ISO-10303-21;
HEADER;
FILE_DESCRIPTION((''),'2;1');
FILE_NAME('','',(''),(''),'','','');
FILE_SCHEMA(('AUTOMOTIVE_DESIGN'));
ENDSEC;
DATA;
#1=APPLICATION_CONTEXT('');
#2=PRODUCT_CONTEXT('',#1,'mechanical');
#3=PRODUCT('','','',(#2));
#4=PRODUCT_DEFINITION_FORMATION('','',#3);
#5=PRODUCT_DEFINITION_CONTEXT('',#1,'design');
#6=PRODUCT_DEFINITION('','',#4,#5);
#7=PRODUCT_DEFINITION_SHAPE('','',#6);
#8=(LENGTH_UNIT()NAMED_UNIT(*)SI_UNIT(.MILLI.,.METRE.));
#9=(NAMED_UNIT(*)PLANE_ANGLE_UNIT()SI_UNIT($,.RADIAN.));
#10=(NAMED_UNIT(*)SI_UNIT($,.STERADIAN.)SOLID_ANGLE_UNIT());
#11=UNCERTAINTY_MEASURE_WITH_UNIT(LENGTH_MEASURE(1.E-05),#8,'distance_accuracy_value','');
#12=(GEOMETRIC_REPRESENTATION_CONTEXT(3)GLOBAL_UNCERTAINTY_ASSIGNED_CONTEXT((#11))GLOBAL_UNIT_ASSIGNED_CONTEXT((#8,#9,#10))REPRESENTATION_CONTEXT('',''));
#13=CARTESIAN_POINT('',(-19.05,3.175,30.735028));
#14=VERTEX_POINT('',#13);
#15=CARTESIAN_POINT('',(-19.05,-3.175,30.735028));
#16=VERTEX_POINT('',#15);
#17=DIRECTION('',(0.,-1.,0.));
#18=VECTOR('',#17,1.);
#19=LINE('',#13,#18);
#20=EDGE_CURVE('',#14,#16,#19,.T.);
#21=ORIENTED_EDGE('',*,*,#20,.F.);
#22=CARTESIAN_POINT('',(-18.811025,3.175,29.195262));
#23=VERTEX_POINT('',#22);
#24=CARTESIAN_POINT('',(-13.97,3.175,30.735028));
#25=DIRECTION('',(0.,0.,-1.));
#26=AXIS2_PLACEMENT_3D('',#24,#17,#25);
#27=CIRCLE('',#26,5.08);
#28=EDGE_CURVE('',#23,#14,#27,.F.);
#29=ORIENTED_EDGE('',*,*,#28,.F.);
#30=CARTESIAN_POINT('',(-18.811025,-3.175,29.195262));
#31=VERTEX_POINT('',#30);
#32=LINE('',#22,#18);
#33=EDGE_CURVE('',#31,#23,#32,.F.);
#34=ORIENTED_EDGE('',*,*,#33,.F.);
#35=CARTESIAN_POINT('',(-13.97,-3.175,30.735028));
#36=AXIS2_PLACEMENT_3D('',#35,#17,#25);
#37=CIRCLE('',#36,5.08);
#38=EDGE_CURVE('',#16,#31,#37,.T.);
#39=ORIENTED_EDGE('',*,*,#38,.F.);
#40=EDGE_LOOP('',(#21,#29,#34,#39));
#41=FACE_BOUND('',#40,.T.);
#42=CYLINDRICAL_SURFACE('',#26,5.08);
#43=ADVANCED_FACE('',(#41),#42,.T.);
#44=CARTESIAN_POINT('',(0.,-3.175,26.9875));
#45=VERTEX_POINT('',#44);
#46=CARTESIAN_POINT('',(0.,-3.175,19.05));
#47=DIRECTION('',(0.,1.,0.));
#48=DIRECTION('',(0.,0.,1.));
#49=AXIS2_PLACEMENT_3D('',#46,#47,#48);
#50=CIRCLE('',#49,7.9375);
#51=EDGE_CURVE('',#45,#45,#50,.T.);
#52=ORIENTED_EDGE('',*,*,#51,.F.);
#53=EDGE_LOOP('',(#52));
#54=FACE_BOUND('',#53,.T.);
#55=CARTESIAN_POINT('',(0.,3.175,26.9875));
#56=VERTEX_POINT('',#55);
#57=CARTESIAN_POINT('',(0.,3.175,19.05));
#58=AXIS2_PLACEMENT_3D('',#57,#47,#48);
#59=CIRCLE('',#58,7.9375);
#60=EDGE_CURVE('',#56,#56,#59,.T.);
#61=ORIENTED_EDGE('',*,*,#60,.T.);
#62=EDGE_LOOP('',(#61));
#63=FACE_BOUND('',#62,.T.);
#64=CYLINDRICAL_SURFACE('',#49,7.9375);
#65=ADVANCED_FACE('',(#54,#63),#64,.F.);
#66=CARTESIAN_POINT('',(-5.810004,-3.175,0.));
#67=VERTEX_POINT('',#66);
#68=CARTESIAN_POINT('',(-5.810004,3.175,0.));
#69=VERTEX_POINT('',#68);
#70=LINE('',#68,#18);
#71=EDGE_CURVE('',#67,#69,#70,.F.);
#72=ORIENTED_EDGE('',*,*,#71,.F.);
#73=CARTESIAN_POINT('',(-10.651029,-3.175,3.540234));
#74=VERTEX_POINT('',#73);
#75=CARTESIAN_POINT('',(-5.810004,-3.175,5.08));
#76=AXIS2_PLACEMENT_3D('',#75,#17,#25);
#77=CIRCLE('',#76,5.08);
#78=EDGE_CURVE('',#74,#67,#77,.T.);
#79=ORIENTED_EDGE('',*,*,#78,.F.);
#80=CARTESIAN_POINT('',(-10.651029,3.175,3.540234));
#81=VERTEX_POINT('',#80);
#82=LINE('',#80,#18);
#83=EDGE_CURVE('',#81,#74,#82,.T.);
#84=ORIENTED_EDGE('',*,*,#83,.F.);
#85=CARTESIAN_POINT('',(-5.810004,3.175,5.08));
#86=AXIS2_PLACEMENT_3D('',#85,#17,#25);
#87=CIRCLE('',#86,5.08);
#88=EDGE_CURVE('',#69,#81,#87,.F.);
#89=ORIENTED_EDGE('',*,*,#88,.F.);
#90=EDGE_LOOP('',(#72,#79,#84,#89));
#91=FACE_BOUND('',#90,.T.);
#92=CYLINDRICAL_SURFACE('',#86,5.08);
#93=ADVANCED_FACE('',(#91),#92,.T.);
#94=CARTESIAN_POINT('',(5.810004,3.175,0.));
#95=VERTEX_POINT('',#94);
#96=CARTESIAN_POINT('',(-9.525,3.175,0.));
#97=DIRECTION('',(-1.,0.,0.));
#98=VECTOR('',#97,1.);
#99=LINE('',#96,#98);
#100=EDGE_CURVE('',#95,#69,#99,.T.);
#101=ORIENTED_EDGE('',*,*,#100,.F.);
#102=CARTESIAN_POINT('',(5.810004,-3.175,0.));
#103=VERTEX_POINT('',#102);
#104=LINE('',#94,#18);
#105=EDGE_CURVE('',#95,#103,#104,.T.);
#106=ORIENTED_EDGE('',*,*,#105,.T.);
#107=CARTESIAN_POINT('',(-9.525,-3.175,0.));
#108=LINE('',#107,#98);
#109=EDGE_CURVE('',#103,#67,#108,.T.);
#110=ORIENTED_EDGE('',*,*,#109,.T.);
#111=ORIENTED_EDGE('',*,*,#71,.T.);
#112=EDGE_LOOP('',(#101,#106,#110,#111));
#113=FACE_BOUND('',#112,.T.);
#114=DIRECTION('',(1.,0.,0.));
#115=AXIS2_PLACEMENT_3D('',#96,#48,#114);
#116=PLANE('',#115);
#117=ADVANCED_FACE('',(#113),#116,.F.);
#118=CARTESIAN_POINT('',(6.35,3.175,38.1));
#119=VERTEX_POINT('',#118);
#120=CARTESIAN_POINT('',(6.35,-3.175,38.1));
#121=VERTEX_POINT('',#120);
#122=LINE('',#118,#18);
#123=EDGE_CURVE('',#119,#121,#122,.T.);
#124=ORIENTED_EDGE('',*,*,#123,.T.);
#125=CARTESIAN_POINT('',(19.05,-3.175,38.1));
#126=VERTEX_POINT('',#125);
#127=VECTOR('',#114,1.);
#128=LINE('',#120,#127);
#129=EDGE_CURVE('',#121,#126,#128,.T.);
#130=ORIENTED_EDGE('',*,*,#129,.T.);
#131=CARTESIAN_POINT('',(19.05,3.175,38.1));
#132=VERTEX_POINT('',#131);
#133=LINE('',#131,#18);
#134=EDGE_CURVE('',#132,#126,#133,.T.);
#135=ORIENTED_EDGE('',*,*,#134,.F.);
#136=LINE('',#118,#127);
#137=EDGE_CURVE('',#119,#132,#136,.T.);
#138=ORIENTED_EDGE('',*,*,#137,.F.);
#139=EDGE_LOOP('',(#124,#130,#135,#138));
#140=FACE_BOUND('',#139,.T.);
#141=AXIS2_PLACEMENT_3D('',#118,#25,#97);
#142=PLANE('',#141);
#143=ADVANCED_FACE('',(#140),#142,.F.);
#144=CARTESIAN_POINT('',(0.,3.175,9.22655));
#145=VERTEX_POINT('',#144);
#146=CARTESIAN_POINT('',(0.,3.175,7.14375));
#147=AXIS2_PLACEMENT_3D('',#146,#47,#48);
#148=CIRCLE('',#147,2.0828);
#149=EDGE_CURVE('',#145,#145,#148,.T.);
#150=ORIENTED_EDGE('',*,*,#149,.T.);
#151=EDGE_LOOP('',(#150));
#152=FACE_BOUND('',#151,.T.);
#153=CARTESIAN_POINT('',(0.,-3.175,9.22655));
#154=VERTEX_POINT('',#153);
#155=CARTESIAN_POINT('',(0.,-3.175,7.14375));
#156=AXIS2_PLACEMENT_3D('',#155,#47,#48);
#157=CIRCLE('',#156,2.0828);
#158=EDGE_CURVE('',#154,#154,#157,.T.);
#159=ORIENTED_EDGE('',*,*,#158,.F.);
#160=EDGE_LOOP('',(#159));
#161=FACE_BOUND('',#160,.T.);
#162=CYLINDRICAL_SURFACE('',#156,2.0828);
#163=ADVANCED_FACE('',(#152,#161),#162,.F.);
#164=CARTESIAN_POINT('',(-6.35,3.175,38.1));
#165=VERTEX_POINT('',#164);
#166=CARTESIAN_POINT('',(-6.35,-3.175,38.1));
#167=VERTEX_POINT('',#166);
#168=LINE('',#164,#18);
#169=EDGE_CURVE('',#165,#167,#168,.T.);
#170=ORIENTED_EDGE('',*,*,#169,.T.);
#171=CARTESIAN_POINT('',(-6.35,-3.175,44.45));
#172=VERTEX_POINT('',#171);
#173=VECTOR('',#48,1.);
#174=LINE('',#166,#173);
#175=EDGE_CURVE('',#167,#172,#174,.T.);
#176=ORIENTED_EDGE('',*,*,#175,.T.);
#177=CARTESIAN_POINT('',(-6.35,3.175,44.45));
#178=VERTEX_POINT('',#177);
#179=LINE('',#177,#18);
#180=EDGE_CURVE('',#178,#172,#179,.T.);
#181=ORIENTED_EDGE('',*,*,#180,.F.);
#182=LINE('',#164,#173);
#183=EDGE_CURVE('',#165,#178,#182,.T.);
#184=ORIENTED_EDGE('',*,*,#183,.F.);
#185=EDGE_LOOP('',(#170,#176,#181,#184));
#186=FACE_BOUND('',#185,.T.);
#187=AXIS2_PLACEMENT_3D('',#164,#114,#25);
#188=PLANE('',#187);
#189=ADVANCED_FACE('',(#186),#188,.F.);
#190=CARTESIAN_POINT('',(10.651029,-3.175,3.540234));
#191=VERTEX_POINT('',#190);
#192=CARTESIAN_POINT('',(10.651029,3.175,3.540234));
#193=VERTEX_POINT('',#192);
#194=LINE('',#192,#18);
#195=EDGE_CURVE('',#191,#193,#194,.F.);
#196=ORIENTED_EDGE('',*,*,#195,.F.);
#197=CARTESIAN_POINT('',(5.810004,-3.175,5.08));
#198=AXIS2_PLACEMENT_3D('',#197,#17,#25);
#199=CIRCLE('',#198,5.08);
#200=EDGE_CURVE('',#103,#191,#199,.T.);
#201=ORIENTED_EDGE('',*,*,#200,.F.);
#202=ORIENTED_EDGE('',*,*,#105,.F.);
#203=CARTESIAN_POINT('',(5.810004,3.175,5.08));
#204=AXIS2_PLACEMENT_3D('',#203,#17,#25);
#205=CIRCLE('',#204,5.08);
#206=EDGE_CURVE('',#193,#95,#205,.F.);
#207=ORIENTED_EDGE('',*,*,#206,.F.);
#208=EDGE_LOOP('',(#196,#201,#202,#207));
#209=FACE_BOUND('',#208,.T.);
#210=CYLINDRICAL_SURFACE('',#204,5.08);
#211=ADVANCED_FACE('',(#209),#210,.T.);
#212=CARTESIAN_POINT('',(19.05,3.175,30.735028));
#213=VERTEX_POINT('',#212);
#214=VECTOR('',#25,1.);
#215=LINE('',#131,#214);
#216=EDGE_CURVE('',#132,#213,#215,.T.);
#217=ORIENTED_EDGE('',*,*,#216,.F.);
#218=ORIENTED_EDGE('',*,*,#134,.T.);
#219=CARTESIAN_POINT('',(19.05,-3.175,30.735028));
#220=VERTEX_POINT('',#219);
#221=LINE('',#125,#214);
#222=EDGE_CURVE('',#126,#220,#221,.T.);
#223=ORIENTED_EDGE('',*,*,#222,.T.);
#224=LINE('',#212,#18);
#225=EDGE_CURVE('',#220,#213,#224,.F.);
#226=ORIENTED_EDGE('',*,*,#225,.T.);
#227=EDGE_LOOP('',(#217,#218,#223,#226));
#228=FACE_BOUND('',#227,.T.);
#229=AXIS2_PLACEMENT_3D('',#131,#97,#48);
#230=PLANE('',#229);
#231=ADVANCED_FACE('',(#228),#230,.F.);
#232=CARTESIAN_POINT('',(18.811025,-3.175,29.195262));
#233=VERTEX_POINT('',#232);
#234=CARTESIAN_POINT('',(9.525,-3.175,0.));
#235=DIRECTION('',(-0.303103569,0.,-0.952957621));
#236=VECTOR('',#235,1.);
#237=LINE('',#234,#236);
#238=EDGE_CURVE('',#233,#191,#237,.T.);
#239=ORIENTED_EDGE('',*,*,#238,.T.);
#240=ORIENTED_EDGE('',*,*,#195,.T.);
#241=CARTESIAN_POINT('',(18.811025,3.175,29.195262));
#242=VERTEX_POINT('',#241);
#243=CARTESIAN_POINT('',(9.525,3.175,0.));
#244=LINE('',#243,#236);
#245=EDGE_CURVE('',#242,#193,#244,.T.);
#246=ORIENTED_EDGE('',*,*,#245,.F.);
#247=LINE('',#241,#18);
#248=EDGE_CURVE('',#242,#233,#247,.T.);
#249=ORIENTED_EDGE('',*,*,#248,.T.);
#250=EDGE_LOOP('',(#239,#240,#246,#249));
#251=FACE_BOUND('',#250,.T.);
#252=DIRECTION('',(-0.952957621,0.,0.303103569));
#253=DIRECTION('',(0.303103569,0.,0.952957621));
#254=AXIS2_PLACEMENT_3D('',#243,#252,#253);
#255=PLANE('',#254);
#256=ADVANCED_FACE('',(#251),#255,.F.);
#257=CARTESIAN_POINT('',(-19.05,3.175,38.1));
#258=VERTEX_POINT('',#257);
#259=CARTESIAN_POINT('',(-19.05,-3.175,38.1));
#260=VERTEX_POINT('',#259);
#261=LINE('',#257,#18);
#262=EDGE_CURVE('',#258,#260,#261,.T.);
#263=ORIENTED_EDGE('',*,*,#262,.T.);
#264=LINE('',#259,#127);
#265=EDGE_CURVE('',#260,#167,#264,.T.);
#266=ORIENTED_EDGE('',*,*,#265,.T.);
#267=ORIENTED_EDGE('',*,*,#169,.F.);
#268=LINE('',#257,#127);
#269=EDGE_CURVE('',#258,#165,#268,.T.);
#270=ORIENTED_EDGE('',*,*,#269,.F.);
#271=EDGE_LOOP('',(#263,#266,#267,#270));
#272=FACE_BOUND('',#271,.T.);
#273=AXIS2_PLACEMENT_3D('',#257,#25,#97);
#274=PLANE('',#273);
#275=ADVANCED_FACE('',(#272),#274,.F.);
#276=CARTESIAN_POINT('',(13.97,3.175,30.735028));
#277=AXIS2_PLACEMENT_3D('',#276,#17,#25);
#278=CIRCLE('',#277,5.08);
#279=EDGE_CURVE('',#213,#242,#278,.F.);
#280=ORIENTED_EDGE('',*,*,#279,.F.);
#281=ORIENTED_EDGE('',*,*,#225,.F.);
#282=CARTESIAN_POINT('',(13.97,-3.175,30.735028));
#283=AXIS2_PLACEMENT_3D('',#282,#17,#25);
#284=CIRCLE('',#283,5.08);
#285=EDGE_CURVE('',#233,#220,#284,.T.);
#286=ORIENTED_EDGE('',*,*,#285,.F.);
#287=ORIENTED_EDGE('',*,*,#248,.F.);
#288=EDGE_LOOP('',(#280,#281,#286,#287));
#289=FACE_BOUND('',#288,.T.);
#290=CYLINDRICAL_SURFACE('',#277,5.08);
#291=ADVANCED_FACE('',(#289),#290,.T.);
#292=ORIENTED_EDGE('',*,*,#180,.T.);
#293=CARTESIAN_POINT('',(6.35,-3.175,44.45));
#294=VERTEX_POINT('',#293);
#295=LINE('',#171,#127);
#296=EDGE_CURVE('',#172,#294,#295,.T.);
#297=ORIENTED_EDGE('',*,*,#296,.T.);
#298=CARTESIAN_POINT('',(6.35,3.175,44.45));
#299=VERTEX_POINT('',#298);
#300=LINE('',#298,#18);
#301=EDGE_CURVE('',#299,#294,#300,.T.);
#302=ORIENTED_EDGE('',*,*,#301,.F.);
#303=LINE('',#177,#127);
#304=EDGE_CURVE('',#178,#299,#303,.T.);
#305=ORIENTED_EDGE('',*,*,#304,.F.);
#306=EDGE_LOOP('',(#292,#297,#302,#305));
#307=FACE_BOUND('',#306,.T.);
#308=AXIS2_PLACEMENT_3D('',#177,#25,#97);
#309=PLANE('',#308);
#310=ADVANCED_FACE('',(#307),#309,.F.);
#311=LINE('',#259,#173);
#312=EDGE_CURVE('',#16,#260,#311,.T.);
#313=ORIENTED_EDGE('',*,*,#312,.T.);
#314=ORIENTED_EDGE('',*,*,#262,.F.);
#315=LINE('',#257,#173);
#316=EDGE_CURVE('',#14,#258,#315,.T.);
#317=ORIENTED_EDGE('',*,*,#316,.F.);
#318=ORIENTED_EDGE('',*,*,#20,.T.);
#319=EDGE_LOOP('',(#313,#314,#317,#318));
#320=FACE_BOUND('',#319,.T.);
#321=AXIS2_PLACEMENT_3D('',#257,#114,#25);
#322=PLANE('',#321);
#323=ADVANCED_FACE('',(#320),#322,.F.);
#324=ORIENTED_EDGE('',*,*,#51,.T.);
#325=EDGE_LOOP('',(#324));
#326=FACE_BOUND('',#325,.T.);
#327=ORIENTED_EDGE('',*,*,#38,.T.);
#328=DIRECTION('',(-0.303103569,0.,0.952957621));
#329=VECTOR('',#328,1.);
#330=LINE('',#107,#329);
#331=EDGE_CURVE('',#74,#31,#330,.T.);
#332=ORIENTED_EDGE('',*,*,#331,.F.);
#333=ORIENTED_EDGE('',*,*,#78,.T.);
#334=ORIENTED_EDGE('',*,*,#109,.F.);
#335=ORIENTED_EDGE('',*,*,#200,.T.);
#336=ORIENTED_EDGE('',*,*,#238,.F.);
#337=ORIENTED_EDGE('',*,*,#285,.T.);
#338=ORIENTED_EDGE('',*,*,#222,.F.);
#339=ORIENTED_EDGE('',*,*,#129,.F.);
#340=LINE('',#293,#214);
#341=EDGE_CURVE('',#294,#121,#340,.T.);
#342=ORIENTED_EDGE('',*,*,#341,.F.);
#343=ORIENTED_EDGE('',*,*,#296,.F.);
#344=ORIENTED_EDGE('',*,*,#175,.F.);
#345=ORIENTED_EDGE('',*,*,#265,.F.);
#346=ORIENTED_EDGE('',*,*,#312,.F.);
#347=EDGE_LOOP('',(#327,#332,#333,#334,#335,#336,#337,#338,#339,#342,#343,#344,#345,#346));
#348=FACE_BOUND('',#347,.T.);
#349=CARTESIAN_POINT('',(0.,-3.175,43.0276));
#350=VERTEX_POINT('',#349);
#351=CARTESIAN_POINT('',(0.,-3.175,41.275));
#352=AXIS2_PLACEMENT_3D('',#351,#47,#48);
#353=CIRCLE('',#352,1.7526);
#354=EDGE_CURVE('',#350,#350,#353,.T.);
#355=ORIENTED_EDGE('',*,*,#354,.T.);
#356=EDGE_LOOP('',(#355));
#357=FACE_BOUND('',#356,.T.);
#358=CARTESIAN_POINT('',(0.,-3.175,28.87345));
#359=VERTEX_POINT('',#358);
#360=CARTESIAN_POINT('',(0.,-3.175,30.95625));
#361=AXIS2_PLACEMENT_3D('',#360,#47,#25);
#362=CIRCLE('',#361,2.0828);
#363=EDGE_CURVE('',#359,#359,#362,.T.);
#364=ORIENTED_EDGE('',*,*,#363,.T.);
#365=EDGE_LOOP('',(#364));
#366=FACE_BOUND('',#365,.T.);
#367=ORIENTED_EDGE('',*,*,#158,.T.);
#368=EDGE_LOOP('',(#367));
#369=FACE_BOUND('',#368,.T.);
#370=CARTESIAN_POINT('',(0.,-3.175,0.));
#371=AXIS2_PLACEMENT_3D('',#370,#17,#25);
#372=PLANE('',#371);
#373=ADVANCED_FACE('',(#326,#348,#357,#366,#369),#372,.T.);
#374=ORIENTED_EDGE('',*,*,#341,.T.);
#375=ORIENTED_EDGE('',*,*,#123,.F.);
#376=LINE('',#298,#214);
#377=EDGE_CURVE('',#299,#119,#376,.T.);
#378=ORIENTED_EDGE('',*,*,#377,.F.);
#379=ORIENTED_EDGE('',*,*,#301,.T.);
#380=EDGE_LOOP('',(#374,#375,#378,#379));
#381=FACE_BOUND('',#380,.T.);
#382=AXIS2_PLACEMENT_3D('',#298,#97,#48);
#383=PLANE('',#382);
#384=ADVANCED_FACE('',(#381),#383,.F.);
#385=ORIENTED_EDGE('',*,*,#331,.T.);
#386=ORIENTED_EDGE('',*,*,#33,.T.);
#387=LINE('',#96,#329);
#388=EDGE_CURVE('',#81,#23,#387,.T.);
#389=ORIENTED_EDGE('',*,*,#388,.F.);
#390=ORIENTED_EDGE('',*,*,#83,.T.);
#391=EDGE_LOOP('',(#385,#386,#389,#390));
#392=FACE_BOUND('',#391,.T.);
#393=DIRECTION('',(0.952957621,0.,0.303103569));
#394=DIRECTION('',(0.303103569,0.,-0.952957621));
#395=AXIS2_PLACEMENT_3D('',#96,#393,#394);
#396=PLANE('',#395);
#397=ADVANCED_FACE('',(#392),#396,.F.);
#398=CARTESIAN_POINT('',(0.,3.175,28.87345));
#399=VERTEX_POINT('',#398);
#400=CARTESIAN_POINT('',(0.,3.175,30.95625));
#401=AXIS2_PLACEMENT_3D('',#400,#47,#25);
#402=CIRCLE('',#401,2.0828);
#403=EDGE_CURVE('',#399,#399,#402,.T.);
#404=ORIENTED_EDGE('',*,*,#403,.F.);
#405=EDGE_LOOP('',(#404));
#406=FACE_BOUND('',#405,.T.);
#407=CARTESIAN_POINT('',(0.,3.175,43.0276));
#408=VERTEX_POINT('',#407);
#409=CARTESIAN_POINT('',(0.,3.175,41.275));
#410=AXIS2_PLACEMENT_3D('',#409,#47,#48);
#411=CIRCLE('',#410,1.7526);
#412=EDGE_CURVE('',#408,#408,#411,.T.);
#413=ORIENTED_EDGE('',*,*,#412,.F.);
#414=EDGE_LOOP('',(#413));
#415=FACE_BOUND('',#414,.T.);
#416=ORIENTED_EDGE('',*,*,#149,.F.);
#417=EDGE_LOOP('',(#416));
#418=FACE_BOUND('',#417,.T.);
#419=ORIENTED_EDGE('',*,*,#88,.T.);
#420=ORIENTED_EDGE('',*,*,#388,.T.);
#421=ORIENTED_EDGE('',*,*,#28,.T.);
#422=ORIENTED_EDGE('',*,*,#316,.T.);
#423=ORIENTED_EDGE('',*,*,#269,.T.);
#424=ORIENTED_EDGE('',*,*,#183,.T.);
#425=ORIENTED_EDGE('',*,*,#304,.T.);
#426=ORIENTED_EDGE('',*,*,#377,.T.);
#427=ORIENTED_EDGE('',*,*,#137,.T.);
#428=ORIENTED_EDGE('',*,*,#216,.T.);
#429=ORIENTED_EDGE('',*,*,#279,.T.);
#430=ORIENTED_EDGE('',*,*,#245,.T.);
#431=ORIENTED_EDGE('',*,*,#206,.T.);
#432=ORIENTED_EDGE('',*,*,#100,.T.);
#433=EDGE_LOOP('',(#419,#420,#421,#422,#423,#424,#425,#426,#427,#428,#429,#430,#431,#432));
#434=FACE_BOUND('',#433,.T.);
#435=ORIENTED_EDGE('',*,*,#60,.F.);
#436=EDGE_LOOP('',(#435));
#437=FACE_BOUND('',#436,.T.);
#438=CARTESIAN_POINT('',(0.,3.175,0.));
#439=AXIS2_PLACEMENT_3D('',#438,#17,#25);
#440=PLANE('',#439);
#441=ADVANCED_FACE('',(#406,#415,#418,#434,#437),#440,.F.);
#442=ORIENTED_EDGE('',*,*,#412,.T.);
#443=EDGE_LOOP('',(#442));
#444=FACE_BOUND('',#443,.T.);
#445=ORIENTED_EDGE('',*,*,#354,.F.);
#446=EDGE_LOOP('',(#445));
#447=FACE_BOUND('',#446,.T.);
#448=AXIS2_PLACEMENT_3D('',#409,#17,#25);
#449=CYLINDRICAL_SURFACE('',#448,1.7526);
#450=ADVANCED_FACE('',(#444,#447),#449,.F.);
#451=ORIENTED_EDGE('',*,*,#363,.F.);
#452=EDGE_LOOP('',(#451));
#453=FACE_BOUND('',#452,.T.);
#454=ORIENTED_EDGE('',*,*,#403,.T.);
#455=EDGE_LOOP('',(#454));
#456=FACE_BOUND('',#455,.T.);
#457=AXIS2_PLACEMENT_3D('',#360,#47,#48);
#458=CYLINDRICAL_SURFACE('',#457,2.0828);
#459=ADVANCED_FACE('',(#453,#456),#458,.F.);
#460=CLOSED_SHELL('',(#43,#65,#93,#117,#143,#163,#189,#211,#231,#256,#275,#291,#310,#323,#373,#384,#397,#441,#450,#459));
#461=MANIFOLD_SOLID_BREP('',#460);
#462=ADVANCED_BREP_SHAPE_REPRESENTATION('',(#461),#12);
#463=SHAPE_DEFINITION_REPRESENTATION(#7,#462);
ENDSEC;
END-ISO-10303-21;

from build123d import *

# Parameters (mm, degrees)
SKETCH1_R           = 1.7526
BOSS_EXTRUDE1_DEPTH = 3.175
FILLET1_R           = 5.08
FILLET2_R           = 5.08
SKETCH2_R           = 2.0828
SKETCH2_R_2         = 7.9375
CUT_EXTRUDE1_DEPTH  = 49.775275499


with BuildPart() as part:
    # Sketch1 → Boss-Extrude1 (new, symmetric)
    with BuildSketch(Plane(origin=(0, 0, 0), x_dir=(1, 0, 0), z_dir=(0, 1, 0))):
        Polygon((-19.05, -38.1), (-6.35, -38.1), (-6.35, -44.45), (6.35, -44.45), (6.35, -38.1), (19.05, -38.1), (19.05, -29.9466), (9.525, 0), (-9.525, 0), (-19.05, -29.9466), align=None)
        with Locations(Location((0, -41.275, 0), (0, 0, 270))):
            Circle(SKETCH1_R, mode=Mode.SUBTRACT)
    extrude(amount=BOSS_EXTRUDE1_DEPTH, both=True)

    # Fillet1
    fillet1_edges = [part.edges().sort_by_distance(p)[0] for p in [
        (-9.525, 0, 0),
        (9.525, 0, 0),
    ]]
    fillet(fillet1_edges, radius=FILLET1_R)

    # Fillet2
    fillet2_edges = [part.edges().sort_by_distance(p)[0] for p in [
        (-19.05, 0, 29.9466),
        (19.05, 0, 29.9466),
    ]]
    fillet(fillet2_edges, radius=FILLET2_R)

    # Sketch2 → Cut-Extrude1 (cut, through all)
    with BuildSketch(Plane(origin=(0, 3.175, 0), x_dir=(1, 0, 0), z_dir=(0, 1, 0))):
        with Locations(Location((0, -7.14375, 0), (0, 0, 270))):
            Circle(SKETCH2_R)
        with Locations(Location((0, -19.05, 0), (0, 0, 270))):
            Circle(SKETCH2_R_2)
        with Locations(Location((0, -30.95625, 0), (0, 0, 90))):
            Circle(SKETCH2_R)
    extrude(amount=-CUT_EXTRUDE1_DEPTH, mode=Mode.SUBTRACT)


solid = part.part
